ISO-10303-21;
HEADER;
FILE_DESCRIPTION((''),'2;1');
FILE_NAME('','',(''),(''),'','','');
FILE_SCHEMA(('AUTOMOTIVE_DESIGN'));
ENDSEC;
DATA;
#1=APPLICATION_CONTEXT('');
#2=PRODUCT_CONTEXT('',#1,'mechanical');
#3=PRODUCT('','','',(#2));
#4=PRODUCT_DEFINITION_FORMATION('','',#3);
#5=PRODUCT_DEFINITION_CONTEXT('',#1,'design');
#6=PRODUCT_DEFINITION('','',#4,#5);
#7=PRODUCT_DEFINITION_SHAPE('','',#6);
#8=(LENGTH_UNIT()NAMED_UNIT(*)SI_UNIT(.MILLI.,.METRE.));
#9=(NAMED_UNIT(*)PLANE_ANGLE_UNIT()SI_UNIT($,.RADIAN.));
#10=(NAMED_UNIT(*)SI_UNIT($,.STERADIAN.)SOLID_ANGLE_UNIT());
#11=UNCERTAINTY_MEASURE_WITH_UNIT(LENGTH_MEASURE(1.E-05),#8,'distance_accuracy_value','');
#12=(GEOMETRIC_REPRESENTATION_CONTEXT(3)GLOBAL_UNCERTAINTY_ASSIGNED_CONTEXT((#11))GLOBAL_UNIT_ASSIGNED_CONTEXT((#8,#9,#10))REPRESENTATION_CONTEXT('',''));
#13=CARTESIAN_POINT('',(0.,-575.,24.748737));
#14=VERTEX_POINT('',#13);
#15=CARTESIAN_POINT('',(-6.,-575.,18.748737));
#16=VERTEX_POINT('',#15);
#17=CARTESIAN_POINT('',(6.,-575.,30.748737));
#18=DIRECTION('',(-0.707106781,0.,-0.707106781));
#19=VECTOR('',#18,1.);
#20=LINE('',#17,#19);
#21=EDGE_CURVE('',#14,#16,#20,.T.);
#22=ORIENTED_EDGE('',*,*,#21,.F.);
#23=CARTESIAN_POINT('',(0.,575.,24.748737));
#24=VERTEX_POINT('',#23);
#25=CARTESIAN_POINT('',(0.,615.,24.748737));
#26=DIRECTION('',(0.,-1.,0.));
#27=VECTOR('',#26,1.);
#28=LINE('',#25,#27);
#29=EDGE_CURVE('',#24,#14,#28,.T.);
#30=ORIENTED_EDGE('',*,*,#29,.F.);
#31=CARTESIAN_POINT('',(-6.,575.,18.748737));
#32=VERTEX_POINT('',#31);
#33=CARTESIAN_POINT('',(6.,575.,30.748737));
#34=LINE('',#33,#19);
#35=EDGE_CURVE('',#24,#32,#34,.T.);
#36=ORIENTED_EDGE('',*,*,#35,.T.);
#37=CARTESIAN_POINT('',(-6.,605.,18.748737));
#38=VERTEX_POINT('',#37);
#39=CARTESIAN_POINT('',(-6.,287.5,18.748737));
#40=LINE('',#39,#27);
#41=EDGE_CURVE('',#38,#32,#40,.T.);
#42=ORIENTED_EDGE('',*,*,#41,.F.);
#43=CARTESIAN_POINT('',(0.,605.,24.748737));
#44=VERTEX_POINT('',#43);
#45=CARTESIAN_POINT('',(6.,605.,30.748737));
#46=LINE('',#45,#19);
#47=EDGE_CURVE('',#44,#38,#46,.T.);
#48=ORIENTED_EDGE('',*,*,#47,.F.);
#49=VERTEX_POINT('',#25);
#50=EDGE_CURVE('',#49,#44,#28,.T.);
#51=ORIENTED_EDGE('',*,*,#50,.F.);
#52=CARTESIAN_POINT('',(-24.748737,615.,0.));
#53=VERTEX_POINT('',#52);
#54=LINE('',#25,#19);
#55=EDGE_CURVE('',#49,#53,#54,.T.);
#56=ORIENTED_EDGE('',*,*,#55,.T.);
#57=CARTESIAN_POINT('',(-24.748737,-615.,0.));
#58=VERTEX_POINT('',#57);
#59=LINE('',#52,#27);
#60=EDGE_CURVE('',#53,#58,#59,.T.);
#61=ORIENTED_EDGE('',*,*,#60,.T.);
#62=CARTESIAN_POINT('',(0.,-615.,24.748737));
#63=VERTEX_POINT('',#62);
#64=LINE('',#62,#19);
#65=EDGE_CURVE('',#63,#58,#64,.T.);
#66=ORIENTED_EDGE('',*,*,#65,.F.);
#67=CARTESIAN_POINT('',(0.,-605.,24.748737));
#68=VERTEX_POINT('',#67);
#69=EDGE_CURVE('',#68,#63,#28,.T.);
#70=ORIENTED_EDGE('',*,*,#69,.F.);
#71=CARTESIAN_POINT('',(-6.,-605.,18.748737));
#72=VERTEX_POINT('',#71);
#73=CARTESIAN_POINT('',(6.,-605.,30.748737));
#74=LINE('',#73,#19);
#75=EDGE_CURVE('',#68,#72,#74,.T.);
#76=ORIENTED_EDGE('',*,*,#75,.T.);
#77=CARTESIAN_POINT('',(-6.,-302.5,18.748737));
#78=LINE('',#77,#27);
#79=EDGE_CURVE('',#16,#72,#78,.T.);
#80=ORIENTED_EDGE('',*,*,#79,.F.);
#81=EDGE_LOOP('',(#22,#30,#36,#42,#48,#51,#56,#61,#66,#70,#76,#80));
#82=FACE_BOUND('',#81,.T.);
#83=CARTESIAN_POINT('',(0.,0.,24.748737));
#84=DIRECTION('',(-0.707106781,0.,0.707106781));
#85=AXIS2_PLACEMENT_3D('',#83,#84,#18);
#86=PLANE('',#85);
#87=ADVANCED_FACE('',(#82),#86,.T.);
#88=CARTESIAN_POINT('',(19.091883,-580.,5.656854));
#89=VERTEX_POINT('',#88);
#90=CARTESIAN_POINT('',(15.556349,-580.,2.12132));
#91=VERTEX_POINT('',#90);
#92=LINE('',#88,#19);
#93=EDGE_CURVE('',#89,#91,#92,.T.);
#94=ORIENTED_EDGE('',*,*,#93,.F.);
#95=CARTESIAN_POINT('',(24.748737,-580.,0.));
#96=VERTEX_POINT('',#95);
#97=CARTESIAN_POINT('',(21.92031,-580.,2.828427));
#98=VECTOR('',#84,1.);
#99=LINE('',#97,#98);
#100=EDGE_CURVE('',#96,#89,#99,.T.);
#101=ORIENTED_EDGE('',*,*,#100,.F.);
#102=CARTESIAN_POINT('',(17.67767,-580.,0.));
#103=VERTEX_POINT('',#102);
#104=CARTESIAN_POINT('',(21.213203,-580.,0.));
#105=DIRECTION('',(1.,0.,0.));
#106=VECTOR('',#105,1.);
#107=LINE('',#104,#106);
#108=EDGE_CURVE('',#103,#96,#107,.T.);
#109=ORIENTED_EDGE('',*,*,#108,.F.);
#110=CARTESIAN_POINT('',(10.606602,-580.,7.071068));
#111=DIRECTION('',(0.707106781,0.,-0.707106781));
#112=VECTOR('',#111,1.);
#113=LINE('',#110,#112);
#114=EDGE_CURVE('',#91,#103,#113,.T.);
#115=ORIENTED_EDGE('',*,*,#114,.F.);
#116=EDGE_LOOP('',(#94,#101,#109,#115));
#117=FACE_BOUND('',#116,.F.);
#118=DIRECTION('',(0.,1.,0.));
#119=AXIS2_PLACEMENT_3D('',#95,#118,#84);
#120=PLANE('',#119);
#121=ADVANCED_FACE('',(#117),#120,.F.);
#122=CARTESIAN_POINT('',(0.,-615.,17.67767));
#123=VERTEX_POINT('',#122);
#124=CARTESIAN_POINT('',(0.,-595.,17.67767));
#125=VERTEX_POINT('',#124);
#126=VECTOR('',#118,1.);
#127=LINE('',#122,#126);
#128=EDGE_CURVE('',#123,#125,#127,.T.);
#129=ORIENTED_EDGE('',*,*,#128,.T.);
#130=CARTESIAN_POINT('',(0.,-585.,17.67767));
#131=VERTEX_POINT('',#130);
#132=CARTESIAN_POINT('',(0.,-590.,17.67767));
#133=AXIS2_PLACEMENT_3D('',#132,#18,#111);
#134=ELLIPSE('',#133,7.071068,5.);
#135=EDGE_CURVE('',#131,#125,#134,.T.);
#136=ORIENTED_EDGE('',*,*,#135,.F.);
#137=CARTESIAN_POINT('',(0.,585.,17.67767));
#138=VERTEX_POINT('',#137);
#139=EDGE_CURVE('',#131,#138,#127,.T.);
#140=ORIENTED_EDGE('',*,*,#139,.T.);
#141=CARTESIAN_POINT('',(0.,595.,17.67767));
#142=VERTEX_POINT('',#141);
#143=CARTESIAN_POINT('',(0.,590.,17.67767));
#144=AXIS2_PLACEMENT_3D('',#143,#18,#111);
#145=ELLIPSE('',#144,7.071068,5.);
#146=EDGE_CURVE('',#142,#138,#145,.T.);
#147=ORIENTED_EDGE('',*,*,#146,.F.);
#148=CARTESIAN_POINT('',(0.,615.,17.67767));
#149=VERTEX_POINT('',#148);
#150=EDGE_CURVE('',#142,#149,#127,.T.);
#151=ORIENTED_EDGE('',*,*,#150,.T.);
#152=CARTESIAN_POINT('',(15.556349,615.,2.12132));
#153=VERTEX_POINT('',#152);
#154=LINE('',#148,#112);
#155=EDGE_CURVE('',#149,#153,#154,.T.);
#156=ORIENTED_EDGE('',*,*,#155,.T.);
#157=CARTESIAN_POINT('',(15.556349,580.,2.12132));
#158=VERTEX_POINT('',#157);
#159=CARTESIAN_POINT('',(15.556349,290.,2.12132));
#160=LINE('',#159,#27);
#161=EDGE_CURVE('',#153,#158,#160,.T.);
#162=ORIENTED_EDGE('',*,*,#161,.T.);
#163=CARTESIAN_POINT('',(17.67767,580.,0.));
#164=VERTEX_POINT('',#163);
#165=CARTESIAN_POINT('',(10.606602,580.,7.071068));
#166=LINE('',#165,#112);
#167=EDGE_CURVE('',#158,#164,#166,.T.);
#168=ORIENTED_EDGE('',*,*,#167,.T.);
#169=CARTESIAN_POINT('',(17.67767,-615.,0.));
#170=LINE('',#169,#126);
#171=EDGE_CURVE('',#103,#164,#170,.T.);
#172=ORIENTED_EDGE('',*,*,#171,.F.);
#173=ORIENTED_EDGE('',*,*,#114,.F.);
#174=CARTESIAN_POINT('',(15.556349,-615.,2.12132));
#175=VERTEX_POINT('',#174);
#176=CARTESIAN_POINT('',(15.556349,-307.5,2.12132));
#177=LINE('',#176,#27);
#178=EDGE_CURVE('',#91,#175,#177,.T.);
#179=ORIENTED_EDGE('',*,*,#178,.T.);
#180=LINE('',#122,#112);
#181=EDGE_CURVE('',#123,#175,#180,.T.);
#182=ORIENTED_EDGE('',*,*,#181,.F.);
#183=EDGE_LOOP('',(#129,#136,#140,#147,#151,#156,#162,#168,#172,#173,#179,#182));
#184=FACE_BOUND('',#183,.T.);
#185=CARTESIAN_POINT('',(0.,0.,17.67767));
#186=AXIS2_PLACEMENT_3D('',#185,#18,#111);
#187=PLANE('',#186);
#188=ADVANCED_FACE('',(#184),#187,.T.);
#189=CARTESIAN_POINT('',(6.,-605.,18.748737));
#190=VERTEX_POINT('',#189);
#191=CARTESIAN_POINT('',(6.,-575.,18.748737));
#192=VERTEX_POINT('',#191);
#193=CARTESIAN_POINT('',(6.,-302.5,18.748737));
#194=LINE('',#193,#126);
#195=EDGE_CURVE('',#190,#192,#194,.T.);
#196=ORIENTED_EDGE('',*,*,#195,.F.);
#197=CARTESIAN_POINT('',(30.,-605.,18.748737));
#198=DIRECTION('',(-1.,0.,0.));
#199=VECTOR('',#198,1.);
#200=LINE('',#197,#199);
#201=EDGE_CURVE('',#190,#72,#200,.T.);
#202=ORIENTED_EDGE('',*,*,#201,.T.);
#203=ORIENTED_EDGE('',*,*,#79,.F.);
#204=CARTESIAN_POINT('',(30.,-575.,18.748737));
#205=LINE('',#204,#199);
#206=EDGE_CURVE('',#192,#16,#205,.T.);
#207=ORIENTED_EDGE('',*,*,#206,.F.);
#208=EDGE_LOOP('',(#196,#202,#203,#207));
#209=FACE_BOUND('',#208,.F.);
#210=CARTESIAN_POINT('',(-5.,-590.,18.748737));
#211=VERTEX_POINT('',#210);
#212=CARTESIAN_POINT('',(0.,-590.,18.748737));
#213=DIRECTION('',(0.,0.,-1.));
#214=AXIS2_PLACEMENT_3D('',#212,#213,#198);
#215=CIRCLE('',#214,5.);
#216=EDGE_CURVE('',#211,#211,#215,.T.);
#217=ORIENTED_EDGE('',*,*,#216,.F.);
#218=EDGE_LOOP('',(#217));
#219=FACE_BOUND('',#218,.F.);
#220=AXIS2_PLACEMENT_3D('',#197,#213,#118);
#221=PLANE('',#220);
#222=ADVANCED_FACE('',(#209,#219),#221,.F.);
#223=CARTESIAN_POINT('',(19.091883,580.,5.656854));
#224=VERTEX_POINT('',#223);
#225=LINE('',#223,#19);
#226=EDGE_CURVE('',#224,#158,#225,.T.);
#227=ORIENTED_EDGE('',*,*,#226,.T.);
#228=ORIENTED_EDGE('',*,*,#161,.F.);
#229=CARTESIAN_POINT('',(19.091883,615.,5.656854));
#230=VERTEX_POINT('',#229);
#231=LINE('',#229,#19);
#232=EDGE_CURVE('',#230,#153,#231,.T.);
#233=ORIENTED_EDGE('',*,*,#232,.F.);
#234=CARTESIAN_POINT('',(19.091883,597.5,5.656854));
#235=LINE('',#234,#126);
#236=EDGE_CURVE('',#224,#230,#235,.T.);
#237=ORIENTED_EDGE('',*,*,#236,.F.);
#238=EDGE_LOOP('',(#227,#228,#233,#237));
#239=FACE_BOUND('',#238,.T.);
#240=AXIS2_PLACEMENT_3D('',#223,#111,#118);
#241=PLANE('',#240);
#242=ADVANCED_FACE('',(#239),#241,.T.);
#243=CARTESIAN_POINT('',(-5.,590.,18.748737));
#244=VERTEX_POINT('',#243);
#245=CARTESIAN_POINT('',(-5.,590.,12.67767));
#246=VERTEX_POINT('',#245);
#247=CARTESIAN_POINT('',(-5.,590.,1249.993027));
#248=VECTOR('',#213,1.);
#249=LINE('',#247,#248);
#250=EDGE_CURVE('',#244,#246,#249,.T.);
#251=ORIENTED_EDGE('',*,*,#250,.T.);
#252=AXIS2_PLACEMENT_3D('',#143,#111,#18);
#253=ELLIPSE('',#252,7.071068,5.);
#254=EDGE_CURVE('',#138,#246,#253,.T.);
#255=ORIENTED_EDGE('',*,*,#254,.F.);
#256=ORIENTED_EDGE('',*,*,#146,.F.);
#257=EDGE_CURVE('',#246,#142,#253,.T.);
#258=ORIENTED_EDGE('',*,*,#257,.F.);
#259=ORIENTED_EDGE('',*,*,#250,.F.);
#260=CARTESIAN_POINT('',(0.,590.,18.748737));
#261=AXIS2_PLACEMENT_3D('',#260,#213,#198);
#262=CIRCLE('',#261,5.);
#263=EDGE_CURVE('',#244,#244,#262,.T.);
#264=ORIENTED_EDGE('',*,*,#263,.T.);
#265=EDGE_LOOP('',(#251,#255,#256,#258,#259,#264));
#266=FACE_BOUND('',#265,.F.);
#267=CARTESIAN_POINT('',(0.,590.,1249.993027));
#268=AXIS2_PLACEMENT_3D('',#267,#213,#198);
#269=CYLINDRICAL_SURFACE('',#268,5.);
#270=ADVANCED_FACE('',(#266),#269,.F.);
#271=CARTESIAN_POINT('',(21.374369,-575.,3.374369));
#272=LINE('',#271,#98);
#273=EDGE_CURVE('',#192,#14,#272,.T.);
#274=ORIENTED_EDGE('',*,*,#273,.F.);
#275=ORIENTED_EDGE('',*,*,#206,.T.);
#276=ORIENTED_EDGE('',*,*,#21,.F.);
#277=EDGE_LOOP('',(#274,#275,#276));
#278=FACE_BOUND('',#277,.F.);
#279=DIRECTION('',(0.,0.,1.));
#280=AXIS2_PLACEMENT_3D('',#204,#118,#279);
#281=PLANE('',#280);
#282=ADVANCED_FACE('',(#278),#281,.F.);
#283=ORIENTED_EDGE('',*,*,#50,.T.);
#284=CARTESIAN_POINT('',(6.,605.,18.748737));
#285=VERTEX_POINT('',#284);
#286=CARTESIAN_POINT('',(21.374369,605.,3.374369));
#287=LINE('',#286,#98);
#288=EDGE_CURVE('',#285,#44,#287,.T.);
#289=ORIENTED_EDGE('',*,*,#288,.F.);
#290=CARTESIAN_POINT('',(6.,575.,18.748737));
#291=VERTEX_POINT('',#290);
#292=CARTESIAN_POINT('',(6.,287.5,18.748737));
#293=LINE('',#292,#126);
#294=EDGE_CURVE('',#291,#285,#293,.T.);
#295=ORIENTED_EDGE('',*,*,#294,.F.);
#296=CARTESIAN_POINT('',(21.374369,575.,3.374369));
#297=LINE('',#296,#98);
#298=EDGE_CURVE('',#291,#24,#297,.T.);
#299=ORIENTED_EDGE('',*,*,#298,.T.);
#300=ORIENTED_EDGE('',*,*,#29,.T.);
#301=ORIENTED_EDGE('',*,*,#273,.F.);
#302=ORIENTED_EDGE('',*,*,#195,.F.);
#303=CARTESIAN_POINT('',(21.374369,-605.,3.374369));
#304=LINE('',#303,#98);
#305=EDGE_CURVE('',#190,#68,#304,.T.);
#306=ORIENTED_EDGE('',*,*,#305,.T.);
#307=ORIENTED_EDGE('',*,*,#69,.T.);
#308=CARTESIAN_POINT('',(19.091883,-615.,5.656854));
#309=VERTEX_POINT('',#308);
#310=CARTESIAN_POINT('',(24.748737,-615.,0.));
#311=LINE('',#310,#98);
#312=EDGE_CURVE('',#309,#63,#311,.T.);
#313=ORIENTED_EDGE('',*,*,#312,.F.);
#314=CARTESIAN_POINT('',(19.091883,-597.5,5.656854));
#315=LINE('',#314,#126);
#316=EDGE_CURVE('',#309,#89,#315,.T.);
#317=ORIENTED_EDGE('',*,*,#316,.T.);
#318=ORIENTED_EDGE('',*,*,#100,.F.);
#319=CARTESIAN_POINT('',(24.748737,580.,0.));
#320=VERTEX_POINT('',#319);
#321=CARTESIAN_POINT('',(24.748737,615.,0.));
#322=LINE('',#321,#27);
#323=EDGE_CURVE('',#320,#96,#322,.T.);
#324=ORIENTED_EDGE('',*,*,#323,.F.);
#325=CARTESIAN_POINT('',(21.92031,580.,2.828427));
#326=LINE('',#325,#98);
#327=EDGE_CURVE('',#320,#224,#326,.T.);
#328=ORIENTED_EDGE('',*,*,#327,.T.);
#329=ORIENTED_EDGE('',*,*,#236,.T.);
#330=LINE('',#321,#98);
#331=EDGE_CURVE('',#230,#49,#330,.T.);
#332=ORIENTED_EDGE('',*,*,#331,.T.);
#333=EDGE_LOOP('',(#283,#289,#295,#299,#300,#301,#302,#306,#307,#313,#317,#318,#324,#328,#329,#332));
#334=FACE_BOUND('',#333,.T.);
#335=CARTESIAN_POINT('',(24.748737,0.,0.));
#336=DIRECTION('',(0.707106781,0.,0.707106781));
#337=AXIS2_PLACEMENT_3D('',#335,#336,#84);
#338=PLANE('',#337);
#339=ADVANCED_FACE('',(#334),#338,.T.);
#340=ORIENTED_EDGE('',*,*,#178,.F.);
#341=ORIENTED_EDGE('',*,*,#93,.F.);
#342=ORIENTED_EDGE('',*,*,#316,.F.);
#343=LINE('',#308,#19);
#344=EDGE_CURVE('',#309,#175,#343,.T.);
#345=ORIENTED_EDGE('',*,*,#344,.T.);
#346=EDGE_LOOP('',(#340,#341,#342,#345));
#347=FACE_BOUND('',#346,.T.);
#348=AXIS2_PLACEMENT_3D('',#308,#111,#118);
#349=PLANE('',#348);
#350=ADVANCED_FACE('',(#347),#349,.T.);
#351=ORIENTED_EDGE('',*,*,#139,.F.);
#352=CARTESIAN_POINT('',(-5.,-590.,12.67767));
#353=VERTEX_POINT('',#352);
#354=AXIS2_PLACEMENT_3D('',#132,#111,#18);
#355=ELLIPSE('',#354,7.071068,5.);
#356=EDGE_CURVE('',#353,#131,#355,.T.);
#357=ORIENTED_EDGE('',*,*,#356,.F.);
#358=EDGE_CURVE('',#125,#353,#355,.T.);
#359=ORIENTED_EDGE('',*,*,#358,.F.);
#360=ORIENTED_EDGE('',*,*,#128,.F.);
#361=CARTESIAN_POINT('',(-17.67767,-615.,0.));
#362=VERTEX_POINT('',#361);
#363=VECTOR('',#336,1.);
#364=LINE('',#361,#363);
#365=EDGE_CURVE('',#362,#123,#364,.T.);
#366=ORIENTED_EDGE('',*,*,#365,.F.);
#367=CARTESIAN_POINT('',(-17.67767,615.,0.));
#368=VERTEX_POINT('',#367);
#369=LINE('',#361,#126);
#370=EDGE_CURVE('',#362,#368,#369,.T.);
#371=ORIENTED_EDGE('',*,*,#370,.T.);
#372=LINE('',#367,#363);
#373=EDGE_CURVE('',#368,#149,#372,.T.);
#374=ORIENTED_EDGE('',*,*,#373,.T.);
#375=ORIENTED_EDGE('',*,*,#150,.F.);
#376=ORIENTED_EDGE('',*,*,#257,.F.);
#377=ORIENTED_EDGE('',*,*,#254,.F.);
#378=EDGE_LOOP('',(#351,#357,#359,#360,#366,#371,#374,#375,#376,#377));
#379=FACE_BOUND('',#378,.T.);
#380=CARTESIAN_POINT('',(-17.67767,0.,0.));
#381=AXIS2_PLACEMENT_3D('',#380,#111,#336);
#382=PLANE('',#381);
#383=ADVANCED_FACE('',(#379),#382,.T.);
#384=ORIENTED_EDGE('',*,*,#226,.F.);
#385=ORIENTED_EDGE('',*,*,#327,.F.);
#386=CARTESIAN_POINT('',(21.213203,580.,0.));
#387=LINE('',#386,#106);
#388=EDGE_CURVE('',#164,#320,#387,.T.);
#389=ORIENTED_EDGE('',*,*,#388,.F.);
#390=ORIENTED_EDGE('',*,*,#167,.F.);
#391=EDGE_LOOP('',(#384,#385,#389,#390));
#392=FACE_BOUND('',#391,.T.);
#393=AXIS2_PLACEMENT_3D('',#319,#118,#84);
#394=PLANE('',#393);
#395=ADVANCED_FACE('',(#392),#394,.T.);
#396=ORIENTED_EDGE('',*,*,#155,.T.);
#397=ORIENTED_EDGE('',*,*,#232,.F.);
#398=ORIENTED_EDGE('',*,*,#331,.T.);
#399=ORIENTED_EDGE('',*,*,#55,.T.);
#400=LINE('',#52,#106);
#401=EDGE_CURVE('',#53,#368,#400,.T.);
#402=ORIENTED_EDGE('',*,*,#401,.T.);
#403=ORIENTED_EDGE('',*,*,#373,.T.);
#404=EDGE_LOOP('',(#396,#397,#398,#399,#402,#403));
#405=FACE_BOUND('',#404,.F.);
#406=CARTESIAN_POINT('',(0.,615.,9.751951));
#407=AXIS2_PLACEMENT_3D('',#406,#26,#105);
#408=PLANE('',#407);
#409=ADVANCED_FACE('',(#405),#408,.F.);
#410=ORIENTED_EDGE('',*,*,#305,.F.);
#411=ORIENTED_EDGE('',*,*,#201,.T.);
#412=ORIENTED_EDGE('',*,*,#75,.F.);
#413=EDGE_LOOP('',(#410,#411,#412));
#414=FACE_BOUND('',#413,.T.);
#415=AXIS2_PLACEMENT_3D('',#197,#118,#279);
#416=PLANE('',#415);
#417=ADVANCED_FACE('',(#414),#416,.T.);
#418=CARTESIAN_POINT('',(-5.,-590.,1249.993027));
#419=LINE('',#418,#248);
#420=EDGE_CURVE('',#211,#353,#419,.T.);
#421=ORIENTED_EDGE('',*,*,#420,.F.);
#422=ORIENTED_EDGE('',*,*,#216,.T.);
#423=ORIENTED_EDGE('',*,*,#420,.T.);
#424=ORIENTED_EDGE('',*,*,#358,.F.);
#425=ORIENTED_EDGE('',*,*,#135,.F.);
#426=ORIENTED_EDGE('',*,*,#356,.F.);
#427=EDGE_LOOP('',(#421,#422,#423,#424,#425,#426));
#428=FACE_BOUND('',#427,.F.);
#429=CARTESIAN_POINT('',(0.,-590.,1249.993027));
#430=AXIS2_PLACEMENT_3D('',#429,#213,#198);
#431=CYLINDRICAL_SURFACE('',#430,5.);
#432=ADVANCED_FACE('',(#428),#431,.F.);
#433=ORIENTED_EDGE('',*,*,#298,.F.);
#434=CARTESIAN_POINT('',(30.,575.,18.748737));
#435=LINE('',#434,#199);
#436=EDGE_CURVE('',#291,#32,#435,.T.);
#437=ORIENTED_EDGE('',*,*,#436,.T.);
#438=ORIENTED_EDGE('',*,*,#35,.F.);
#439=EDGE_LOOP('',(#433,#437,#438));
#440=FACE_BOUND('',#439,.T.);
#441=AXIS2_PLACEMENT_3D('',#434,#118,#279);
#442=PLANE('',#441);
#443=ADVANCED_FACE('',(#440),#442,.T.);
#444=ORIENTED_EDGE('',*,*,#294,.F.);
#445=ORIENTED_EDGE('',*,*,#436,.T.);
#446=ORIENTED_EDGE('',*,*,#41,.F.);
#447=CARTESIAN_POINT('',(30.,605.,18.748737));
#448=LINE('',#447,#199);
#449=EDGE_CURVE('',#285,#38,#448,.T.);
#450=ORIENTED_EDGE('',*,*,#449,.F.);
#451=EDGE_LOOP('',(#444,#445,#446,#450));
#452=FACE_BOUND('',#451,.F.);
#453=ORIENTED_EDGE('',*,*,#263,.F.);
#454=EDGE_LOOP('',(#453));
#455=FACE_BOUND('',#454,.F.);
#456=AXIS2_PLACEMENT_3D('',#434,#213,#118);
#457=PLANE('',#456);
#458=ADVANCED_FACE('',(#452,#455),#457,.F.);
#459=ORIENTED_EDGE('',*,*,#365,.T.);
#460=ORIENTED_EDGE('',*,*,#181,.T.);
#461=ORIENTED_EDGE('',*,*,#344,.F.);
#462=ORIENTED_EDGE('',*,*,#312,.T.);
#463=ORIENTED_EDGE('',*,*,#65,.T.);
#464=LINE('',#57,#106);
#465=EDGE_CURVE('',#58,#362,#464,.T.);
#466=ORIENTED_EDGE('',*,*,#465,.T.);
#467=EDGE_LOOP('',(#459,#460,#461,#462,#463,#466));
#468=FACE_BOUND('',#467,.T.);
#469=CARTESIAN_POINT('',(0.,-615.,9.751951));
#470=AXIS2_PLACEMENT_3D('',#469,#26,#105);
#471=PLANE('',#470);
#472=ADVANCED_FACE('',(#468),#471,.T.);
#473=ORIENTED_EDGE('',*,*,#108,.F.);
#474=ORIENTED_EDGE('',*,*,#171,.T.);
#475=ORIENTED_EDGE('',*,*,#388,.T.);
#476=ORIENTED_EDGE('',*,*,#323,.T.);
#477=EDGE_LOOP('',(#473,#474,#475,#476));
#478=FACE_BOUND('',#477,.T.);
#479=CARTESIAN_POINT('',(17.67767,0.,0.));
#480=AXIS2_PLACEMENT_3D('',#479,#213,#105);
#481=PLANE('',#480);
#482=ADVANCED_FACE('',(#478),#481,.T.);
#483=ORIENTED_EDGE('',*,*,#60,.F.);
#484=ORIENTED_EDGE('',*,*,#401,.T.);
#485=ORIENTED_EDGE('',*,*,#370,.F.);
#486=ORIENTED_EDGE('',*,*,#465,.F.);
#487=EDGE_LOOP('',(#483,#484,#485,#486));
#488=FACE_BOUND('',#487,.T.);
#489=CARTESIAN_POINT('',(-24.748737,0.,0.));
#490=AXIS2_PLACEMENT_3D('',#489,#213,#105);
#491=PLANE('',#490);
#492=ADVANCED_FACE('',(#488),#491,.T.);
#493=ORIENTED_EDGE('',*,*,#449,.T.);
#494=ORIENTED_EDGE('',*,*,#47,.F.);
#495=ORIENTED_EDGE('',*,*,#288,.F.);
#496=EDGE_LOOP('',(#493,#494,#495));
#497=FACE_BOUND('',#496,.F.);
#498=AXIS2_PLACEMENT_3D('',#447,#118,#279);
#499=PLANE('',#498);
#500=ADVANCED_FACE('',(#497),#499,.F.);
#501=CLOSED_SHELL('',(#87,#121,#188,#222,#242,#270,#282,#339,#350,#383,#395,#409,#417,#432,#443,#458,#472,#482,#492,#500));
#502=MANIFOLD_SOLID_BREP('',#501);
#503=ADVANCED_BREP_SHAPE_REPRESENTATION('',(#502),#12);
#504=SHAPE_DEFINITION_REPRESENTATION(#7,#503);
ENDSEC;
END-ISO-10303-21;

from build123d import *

# Parameters (mm, degrees)
F1_DEPTH = 615
F3_W     = 30
F3_H     = 6
F4_DEPTH = 54.7497373415
F6_D     = 10
F7_W     = 35
F7_H     = 8
F8_DEPTH = 25


with BuildPart() as f1:
    # F0 (on Front) → F1 (new body, symmetric)
    with BuildSketch(Plane.XZ):
        Polygon((17.6776695297, 0), (24.7487373415, 0), (0, 24.7487373415), (-24.7487373415, 0), (-17.6776695297, 0), (0, 17.6776695297), align=None)
    extrude(amount=F1_DEPTH, both=True)

    # F3 (on offset) → F4 (cut, through all)
    with BuildSketch(Plane.YZ.offset(30)):
        with Locations((590, 21.7487373415)):
            Rectangle(F3_W, F3_H)
        with Locations((-590, 21.7487373415)):
            Rectangle(F3_W, F3_H)
    extrude(amount=-F4_DEPTH, mode=Mode.SUBTRACT)

    # F6 (through all)
    with Locations(Plane.XY.offset(18.7487373415)):
        with Locations((0, -590), (0, 590)):
            Hole(F6_D / 2)

    # F7 (on face) → F8 (cut)
    with BuildSketch(Plane(origin=(12.3743686708, 0, 12.3743686708), x_dir=(0, 1, 0), z_dir=(0.7071067812, 0, 0.7071067812))):
        with Locations((-597.5, -13.5)):
            Rectangle(F7_W, F7_H)
        with Locations((597.5, -13.5)):
            Rectangle(F7_W, F7_H)
    extrude(amount=-F8_DEPTH, mode=Mode.SUBTRACT)


solid = f1.part
